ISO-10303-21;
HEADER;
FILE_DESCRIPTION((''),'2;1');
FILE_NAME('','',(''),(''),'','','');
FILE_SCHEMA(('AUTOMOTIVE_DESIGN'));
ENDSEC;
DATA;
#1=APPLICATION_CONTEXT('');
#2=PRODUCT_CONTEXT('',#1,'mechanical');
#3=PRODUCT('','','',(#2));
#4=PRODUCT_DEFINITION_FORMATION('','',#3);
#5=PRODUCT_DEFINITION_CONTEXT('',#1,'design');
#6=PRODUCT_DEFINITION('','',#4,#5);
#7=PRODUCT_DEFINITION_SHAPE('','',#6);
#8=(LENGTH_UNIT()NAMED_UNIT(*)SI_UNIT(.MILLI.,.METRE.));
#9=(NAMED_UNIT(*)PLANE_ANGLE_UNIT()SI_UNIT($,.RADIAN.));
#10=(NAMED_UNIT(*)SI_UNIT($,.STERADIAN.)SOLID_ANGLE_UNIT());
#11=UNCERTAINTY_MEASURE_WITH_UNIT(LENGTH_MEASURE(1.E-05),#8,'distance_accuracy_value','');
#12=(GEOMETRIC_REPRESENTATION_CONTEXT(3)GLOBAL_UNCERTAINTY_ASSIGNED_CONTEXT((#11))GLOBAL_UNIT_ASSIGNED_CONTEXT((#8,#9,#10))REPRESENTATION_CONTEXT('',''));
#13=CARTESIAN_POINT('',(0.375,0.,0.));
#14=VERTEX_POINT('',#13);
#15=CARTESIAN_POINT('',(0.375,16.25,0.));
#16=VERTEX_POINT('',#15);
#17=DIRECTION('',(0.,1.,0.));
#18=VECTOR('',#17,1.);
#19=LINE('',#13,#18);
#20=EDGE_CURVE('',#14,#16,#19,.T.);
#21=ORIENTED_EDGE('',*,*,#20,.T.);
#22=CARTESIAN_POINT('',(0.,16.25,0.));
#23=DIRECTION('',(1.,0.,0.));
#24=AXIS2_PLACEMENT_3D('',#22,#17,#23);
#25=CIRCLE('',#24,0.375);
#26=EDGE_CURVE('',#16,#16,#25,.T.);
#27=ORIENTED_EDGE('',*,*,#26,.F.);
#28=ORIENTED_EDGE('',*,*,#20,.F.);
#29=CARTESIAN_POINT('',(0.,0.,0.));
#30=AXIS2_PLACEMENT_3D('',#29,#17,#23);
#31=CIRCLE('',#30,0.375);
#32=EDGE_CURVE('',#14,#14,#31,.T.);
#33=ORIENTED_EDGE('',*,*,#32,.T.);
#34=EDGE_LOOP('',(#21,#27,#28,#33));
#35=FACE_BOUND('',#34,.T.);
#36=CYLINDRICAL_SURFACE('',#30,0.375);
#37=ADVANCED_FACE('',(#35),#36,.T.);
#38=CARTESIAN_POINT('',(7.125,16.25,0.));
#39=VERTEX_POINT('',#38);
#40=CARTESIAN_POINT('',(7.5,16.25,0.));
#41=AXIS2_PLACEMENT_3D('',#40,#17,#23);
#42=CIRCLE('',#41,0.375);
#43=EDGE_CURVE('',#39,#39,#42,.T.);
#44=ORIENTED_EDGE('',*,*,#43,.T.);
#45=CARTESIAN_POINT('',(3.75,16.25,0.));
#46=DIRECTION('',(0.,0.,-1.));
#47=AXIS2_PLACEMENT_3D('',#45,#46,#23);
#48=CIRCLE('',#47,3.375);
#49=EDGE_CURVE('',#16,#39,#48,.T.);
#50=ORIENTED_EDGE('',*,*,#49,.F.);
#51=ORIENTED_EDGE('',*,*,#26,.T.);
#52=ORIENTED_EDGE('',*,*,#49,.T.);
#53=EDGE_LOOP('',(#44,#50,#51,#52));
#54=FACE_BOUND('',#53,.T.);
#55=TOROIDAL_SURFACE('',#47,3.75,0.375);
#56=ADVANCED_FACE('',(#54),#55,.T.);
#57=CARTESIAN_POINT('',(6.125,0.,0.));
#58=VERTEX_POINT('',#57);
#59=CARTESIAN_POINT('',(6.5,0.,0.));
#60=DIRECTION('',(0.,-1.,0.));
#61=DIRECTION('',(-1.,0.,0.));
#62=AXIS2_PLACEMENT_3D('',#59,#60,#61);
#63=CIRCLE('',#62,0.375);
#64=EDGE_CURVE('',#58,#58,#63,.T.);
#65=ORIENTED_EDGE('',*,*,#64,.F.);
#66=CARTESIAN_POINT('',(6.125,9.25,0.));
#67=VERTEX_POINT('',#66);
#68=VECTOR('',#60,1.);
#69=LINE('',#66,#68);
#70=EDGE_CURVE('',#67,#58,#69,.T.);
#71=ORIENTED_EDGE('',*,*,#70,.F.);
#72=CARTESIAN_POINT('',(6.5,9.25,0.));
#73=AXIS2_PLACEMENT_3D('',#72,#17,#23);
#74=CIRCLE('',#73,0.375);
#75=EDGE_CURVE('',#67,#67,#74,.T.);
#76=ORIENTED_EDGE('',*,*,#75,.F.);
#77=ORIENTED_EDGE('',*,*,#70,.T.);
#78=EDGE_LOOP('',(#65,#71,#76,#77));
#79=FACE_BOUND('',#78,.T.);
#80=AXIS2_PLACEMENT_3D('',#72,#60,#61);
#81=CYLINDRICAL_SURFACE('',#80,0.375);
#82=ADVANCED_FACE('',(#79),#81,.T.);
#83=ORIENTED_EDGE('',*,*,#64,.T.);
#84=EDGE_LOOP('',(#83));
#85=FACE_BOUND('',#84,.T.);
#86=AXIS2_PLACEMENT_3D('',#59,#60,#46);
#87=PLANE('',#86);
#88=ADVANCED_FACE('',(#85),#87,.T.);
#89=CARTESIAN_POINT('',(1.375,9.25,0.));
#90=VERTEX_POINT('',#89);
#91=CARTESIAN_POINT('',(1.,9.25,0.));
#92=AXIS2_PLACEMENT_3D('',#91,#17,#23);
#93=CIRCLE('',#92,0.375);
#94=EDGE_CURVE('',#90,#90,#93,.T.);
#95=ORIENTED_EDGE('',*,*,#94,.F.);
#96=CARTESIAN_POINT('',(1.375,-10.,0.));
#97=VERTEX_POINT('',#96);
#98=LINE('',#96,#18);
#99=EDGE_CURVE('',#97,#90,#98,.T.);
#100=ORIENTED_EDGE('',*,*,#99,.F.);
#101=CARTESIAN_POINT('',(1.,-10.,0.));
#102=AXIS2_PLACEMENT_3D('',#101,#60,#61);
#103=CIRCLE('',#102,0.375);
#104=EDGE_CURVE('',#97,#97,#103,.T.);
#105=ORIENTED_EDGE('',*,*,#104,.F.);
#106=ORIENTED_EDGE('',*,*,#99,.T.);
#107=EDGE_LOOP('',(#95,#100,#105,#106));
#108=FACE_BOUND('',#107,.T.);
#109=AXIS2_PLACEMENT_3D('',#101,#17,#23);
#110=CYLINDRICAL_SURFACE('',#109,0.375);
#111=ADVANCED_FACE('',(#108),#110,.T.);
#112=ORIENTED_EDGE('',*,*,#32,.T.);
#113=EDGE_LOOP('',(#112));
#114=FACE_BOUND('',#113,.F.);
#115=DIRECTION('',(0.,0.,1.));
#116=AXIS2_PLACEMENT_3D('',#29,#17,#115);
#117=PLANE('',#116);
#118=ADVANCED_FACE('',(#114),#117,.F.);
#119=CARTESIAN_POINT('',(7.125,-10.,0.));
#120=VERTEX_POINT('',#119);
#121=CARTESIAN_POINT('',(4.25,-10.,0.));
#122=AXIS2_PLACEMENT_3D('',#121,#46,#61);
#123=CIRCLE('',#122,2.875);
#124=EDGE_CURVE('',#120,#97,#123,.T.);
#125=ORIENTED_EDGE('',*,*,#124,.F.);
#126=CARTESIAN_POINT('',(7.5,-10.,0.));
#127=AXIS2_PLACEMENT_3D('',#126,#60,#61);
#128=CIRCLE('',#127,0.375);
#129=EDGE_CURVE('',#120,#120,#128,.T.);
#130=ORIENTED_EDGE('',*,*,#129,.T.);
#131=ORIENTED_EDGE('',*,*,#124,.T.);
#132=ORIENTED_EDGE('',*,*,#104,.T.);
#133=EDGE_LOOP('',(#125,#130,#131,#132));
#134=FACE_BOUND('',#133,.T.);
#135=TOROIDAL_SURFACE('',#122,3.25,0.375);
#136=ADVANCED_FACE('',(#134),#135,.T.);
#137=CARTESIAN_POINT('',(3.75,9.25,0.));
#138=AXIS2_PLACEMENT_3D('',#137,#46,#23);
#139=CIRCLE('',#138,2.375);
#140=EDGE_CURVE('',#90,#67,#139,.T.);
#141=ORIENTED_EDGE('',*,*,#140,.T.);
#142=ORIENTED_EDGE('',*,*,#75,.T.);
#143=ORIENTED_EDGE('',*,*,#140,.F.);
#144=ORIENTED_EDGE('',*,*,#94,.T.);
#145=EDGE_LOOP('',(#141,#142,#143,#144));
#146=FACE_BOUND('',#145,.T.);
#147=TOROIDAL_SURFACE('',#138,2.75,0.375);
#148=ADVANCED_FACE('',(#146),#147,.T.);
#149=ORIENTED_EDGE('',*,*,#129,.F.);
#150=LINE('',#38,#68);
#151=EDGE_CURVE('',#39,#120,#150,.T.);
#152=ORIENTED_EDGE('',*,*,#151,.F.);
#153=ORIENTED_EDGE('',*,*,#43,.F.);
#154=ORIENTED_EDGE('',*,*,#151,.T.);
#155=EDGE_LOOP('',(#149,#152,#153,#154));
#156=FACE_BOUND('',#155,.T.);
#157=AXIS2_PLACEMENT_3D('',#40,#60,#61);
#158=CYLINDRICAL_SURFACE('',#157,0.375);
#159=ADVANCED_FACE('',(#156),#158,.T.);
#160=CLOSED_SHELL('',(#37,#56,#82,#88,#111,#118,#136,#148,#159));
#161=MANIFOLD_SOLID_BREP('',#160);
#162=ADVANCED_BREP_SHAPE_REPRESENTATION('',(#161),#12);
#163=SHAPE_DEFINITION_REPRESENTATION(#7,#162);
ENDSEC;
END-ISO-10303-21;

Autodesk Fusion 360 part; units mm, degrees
sketch "sweep path" plane through (0, 0, 0) normal (0, 0, 1) x (1, 0, 0)
  line L0 (0, 0) -> (0, 16.25)
  line L1 (0, 16.25) -> (7.5, 16.25) construction
  line L2 (7.5, 16.25) -> (7.5, -10)
  line L3 (7.5, -10) -> (1, -10) construction
  line L4 (1, -10) -> (1, 9.25)
  line L5 (1, 9.25) -> (6.5, 9.25) construction
  line L6 (6.5, 9.25) -> (6.5, 0)
  arc A0 (7.5, 16.25) -> (0, 16.25) centre (3.75, 16.25) ccw
  arc A1 (6.5, 9.25) -> (1, 9.25) centre (3.75, 9.25) ccw
  arc A2 (1, -10) -> (7.5, -10) centre (4.25, -10) ccw
  dimension "d1" = 16.25
  dimension "d2" = 7.5
  dimension "d3" = 26.25
  dimension "d4" = 19.25
  dimension "d5" = 5.5
  dimension "d6" = 9.25
sketch "Sketch2" plane through (0, 0, 0) normal (0, 1, 0) x (1, 0, 0)
  circle A0 centre (0, 0) radius 0.375
  dimension "d7" = 0.75
sweep "Sweep1" add profiles "Sketch2" path "sweep path" along L6 A1 L4 A2 L2 A0 L0 section 1
